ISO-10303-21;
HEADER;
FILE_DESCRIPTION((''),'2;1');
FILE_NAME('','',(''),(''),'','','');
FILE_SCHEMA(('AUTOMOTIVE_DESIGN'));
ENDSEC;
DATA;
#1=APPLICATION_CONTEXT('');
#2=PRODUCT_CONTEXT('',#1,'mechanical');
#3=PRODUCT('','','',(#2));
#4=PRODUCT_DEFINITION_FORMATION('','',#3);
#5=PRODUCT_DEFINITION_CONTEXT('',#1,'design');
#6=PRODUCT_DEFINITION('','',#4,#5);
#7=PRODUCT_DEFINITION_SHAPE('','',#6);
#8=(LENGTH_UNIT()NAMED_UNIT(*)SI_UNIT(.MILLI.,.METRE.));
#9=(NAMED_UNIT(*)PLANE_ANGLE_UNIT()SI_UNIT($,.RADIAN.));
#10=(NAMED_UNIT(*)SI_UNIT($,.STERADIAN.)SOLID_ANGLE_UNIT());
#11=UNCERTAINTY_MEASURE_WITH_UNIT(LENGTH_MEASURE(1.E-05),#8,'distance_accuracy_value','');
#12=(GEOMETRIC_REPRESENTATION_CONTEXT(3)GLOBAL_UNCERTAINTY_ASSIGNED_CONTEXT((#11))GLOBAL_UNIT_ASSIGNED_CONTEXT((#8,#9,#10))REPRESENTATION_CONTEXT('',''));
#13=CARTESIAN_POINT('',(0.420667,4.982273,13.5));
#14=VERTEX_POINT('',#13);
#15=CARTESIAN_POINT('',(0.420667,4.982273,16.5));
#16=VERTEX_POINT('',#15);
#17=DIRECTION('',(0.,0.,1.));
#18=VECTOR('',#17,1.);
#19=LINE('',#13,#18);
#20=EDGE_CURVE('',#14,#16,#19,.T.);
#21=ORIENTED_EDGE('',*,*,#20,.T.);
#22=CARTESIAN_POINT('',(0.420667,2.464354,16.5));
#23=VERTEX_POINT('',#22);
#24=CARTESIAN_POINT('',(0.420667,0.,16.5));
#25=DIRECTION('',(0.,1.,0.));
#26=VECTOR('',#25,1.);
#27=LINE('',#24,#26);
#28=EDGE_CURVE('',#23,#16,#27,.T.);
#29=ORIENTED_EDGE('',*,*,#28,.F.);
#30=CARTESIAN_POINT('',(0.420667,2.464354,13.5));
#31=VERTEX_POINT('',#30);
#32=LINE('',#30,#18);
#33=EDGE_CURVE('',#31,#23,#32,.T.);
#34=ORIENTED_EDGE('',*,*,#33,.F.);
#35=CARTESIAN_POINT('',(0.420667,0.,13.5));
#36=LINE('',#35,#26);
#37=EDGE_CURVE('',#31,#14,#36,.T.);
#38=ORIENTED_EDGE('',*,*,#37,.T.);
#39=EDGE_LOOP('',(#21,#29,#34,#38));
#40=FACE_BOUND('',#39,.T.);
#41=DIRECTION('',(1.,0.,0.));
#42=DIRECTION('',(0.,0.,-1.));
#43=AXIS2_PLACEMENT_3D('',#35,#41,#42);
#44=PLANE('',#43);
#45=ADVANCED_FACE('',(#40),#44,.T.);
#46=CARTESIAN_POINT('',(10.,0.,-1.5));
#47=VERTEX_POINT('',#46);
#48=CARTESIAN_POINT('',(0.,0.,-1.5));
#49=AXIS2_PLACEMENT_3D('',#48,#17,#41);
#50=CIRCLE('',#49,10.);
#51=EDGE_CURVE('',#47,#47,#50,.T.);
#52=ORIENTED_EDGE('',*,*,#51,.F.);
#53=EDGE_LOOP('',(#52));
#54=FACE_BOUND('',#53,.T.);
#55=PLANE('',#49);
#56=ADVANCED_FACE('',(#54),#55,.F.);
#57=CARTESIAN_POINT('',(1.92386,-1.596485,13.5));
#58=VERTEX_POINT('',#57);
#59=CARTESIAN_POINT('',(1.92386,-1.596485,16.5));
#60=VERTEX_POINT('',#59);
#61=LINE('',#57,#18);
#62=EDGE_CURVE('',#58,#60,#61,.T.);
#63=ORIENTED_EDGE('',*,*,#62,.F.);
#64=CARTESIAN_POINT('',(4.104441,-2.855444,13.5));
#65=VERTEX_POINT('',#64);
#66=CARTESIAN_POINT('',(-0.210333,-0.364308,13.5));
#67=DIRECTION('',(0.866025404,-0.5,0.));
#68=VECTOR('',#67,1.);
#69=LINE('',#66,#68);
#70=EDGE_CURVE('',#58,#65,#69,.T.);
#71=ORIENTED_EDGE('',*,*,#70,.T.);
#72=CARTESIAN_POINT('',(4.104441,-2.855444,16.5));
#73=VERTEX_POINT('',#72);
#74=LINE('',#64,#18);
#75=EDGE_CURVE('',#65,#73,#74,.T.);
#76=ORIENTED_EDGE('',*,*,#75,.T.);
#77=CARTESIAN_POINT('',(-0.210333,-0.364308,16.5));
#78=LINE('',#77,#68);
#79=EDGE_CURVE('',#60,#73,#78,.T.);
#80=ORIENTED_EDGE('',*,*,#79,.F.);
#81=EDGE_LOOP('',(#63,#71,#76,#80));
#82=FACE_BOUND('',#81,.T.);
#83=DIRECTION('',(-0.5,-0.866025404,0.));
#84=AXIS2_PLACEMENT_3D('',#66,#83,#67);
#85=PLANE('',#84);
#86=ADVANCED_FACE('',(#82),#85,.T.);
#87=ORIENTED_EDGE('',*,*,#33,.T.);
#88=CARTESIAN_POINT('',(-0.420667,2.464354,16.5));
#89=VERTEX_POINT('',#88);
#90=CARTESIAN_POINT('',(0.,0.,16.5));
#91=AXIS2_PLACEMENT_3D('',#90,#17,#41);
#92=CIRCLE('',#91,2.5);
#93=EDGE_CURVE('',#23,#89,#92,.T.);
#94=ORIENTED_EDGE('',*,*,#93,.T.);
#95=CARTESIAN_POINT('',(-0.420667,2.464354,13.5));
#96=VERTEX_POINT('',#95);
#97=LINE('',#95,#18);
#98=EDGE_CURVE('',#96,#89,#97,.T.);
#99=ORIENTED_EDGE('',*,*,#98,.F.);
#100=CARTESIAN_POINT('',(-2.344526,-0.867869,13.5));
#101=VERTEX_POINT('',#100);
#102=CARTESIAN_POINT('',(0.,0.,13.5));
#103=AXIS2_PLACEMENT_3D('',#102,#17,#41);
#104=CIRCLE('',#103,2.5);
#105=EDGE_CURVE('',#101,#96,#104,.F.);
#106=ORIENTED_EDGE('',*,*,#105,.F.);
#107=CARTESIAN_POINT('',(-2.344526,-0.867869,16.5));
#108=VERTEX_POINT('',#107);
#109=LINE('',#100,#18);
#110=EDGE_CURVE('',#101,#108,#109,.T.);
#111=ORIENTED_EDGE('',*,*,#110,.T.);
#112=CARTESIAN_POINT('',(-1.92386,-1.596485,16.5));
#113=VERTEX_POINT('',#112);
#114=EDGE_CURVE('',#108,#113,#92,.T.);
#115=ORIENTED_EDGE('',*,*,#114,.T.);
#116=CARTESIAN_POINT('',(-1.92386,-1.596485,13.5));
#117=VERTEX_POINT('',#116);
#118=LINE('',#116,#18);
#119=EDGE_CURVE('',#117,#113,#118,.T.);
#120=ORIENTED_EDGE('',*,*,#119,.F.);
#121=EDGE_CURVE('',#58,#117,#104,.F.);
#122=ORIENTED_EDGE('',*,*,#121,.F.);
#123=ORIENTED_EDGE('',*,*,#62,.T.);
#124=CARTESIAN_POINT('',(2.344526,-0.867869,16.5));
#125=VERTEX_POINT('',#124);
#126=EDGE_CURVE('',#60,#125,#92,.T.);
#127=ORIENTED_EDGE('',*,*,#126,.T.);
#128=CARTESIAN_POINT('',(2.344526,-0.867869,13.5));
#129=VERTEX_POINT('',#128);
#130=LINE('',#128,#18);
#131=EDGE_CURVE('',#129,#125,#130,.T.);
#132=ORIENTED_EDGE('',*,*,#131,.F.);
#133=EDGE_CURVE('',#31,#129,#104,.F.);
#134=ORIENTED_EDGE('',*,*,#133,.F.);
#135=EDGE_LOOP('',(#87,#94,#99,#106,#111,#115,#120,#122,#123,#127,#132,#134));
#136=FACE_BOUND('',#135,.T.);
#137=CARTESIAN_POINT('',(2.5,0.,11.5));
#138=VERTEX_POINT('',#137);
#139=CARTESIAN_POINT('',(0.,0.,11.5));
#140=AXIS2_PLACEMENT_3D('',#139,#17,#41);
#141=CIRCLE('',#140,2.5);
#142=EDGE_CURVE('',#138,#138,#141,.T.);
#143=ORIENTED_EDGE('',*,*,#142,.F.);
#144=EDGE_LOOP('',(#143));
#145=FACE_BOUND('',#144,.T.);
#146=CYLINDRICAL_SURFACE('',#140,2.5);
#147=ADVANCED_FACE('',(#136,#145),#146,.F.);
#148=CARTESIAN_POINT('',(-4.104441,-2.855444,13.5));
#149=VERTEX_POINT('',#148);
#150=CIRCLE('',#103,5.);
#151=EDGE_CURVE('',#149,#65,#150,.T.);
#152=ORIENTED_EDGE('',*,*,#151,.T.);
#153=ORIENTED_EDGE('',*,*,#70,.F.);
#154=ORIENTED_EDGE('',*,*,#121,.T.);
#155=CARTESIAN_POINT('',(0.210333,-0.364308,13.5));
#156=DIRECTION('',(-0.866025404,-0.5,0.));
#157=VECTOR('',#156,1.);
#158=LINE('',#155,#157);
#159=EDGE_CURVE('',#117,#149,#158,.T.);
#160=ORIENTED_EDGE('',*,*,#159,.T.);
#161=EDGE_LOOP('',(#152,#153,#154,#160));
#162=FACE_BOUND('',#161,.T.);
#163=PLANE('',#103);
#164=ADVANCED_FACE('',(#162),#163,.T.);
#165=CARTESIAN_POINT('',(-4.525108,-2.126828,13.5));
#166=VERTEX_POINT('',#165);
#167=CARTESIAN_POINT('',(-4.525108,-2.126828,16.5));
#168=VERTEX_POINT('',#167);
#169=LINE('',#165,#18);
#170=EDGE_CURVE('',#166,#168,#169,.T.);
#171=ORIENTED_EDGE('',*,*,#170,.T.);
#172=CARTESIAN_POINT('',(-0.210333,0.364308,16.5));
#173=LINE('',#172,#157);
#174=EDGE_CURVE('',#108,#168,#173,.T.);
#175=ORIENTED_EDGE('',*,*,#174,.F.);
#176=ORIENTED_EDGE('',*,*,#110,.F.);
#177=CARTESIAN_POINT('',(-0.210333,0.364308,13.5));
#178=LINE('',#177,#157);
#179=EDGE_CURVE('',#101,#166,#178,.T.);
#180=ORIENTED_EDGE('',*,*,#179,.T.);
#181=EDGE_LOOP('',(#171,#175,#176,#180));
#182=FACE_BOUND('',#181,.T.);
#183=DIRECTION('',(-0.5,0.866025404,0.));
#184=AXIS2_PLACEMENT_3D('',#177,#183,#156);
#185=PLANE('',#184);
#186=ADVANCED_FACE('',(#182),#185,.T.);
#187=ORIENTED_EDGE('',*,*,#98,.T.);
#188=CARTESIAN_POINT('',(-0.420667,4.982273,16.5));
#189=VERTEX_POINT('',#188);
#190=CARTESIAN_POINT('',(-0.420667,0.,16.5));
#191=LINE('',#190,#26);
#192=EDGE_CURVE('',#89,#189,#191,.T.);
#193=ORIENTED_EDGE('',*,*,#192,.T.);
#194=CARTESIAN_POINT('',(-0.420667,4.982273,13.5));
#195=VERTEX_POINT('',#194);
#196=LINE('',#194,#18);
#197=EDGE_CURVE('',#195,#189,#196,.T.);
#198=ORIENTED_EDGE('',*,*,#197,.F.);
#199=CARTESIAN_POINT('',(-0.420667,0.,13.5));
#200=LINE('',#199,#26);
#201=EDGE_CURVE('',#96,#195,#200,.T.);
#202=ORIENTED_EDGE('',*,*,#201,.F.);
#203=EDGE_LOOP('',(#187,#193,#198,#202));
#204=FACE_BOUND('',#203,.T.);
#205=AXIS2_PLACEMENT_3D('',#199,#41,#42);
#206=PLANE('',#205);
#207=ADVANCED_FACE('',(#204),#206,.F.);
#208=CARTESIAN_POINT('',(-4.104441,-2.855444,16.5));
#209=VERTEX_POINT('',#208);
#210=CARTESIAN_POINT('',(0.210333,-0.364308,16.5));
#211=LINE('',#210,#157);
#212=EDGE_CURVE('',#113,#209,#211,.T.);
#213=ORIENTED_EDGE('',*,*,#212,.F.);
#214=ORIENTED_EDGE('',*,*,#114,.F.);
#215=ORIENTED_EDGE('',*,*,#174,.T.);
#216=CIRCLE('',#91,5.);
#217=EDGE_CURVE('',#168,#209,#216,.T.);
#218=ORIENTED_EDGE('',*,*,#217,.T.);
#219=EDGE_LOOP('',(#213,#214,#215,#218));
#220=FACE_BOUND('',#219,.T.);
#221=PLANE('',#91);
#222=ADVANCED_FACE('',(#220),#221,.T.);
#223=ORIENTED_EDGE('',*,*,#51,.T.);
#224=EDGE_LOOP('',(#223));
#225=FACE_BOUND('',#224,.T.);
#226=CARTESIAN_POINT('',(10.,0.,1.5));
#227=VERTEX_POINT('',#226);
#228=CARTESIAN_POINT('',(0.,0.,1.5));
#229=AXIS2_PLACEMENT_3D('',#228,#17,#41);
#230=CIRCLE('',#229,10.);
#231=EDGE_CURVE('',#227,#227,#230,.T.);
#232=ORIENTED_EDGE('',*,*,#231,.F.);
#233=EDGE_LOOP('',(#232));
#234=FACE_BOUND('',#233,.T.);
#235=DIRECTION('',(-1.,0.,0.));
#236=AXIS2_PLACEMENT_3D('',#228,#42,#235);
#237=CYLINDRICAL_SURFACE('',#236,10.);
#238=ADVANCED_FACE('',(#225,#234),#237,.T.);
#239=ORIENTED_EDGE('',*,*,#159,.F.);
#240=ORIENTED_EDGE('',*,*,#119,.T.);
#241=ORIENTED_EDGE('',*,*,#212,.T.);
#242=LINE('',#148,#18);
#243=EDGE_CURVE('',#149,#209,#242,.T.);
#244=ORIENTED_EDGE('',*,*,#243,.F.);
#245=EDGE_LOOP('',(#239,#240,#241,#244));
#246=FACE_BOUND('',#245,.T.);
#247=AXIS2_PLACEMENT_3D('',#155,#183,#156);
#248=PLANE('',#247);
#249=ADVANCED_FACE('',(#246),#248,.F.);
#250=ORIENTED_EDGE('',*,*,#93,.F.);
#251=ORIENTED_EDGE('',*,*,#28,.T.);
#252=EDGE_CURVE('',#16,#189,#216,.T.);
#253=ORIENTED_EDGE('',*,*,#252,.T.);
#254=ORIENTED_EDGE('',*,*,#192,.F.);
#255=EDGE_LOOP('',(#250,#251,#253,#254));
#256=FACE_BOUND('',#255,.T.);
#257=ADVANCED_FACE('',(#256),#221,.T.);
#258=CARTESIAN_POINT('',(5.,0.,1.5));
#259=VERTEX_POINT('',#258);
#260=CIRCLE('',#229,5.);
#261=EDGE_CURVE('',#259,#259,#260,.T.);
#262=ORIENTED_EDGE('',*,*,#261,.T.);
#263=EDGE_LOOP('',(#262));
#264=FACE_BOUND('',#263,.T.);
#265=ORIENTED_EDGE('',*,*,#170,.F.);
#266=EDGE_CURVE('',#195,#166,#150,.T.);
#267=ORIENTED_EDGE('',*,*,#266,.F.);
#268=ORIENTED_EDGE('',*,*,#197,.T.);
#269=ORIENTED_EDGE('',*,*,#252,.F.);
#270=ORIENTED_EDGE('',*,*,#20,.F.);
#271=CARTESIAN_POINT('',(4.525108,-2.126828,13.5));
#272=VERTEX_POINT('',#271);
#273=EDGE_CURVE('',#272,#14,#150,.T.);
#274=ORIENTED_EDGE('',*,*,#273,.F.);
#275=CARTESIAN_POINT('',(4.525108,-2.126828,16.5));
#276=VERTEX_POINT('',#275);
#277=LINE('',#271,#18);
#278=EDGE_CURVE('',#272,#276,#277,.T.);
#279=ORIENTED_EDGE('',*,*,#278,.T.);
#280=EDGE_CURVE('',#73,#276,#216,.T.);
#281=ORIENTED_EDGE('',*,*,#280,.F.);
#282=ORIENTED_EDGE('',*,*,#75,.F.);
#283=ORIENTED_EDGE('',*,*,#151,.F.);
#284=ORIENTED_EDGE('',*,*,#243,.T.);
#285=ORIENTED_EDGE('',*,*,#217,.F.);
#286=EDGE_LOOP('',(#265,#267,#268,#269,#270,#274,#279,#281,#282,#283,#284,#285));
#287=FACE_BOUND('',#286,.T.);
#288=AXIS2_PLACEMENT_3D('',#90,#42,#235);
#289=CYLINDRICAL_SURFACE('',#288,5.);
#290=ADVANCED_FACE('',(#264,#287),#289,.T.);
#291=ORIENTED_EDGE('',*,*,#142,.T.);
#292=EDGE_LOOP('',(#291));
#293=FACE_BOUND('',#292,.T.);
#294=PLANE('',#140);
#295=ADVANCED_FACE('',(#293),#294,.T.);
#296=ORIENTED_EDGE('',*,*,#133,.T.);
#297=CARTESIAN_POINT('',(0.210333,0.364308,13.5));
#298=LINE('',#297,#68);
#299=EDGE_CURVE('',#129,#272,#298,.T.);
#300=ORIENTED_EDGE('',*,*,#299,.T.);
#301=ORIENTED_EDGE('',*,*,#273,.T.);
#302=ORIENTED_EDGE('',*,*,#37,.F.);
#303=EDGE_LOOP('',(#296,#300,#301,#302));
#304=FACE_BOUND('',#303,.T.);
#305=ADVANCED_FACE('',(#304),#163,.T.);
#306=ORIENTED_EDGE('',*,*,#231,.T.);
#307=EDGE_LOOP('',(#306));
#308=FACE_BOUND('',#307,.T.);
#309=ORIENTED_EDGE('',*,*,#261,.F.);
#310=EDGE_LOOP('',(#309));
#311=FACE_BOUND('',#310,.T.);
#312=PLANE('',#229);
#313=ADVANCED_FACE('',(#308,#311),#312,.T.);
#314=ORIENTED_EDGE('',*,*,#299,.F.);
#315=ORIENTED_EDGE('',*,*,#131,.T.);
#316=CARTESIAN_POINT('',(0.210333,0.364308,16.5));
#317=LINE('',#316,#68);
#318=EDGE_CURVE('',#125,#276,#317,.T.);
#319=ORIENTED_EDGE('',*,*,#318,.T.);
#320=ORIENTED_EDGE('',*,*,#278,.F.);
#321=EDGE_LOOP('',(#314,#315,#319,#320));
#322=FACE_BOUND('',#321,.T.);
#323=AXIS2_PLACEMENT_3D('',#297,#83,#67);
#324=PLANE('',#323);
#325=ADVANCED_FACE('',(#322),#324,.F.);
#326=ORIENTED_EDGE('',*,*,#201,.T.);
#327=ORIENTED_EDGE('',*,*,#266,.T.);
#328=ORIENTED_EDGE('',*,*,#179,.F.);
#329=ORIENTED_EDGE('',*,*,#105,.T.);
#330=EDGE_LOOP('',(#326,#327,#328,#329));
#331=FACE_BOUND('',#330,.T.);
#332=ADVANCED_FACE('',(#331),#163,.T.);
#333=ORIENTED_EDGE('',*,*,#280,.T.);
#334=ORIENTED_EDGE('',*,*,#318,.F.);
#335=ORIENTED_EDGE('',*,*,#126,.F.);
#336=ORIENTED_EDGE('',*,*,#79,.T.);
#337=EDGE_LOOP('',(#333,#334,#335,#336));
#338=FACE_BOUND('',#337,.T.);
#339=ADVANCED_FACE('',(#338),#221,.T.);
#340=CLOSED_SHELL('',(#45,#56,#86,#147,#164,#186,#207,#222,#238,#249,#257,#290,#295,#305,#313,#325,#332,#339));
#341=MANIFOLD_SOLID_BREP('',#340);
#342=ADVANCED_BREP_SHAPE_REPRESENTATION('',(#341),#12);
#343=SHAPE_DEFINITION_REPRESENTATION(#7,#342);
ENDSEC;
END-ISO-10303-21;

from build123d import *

# Parameters (mm, degrees)
SKETCH16_R          = 10
BOSS_EXTRUDE4_DEPTH = 1.5
SKETCH17_R          = 5
BOSS_EXTRUDE5_DEPTH = 15
SKETCH18_R          = 2.5
CUT_EXTRUDE4_DEPTH  = 5
CUT_EXTRUDE7_DEPTH  = 3


with BuildPart() as part:
    # Sketch16 → Boss-Extrude4 (new body, symmetric)
    with BuildSketch(Plane.XY):
        Circle(SKETCH16_R)
    extrude(amount=BOSS_EXTRUDE4_DEPTH, both=True)

    # Sketch17 → Boss-Extrude5 (add)
    with BuildSketch(Plane.XY.offset(1.5)):
        Circle(SKETCH17_R)
    extrude(amount=BOSS_EXTRUDE5_DEPTH)

    # Sketch18 → Cut-Extrude4 (cut)
    with BuildSketch(Plane.XY.offset(16.5)):
        Circle(SKETCH18_R)
    extrude(amount=-CUT_EXTRUDE4_DEPTH, mode=Mode.SUBTRACT)

    # Sketch19 → Cut-Extrude7 (cut)
    with BuildSketch(Plane.XY.offset(16.5)):
        with BuildLine():
            ThreePointArc((-2.344526361, -0.867868735), (-2.165063509, 1.25), (-0.420666809, 2.464353756))
            Line((-0.420666809, 2.464353756), (-0.420666809, 4.982272517))
            ThreePointArc((-0.420666809, 4.982272517), (-4.330127019, 2.5), (-4.525107973, -2.126828116))
            Line((-4.525107973, -2.126828116), (-2.344526361, -0.867868735))
        make_face()
        with BuildLine():
            Line((0.420666809, 4.982272517), (0.420666809, 2.464353756))
            ThreePointArc((0.420666809, 2.464353756), (1.910715445, 1.612193068), (2.5, 0))
            ThreePointArc((2.5, 0), (2.460824649, -0.44084243), (2.344526361, -0.867868735))
            Line((2.344526361, -0.867868735), (4.525107973, -2.126828116))
            ThreePointArc((4.525107973, -2.126828116), (4.879832982, -1.089600875), (5, 0))
            ThreePointArc((5, 0), (3.681258891, 3.383538529), (0.420666809, 4.982272517))
        make_face()
        with BuildLine():
            Line((4.104441164, -2.855444402), (1.923859552, -1.596485021))
            ThreePointArc((1.923859552, -1.596485021), (0, -2.5), (-1.923859552, -1.596485021))
            Line((-1.923859552, -1.596485021), (-4.104441164, -2.855444402))
            ThreePointArc((-4.104441164, -2.855444402), (0, -5), (4.104441164, -2.855444402))
        make_face()
    extrude(amount=-CUT_EXTRUDE7_DEPTH, mode=Mode.SUBTRACT)


solid = part.part
